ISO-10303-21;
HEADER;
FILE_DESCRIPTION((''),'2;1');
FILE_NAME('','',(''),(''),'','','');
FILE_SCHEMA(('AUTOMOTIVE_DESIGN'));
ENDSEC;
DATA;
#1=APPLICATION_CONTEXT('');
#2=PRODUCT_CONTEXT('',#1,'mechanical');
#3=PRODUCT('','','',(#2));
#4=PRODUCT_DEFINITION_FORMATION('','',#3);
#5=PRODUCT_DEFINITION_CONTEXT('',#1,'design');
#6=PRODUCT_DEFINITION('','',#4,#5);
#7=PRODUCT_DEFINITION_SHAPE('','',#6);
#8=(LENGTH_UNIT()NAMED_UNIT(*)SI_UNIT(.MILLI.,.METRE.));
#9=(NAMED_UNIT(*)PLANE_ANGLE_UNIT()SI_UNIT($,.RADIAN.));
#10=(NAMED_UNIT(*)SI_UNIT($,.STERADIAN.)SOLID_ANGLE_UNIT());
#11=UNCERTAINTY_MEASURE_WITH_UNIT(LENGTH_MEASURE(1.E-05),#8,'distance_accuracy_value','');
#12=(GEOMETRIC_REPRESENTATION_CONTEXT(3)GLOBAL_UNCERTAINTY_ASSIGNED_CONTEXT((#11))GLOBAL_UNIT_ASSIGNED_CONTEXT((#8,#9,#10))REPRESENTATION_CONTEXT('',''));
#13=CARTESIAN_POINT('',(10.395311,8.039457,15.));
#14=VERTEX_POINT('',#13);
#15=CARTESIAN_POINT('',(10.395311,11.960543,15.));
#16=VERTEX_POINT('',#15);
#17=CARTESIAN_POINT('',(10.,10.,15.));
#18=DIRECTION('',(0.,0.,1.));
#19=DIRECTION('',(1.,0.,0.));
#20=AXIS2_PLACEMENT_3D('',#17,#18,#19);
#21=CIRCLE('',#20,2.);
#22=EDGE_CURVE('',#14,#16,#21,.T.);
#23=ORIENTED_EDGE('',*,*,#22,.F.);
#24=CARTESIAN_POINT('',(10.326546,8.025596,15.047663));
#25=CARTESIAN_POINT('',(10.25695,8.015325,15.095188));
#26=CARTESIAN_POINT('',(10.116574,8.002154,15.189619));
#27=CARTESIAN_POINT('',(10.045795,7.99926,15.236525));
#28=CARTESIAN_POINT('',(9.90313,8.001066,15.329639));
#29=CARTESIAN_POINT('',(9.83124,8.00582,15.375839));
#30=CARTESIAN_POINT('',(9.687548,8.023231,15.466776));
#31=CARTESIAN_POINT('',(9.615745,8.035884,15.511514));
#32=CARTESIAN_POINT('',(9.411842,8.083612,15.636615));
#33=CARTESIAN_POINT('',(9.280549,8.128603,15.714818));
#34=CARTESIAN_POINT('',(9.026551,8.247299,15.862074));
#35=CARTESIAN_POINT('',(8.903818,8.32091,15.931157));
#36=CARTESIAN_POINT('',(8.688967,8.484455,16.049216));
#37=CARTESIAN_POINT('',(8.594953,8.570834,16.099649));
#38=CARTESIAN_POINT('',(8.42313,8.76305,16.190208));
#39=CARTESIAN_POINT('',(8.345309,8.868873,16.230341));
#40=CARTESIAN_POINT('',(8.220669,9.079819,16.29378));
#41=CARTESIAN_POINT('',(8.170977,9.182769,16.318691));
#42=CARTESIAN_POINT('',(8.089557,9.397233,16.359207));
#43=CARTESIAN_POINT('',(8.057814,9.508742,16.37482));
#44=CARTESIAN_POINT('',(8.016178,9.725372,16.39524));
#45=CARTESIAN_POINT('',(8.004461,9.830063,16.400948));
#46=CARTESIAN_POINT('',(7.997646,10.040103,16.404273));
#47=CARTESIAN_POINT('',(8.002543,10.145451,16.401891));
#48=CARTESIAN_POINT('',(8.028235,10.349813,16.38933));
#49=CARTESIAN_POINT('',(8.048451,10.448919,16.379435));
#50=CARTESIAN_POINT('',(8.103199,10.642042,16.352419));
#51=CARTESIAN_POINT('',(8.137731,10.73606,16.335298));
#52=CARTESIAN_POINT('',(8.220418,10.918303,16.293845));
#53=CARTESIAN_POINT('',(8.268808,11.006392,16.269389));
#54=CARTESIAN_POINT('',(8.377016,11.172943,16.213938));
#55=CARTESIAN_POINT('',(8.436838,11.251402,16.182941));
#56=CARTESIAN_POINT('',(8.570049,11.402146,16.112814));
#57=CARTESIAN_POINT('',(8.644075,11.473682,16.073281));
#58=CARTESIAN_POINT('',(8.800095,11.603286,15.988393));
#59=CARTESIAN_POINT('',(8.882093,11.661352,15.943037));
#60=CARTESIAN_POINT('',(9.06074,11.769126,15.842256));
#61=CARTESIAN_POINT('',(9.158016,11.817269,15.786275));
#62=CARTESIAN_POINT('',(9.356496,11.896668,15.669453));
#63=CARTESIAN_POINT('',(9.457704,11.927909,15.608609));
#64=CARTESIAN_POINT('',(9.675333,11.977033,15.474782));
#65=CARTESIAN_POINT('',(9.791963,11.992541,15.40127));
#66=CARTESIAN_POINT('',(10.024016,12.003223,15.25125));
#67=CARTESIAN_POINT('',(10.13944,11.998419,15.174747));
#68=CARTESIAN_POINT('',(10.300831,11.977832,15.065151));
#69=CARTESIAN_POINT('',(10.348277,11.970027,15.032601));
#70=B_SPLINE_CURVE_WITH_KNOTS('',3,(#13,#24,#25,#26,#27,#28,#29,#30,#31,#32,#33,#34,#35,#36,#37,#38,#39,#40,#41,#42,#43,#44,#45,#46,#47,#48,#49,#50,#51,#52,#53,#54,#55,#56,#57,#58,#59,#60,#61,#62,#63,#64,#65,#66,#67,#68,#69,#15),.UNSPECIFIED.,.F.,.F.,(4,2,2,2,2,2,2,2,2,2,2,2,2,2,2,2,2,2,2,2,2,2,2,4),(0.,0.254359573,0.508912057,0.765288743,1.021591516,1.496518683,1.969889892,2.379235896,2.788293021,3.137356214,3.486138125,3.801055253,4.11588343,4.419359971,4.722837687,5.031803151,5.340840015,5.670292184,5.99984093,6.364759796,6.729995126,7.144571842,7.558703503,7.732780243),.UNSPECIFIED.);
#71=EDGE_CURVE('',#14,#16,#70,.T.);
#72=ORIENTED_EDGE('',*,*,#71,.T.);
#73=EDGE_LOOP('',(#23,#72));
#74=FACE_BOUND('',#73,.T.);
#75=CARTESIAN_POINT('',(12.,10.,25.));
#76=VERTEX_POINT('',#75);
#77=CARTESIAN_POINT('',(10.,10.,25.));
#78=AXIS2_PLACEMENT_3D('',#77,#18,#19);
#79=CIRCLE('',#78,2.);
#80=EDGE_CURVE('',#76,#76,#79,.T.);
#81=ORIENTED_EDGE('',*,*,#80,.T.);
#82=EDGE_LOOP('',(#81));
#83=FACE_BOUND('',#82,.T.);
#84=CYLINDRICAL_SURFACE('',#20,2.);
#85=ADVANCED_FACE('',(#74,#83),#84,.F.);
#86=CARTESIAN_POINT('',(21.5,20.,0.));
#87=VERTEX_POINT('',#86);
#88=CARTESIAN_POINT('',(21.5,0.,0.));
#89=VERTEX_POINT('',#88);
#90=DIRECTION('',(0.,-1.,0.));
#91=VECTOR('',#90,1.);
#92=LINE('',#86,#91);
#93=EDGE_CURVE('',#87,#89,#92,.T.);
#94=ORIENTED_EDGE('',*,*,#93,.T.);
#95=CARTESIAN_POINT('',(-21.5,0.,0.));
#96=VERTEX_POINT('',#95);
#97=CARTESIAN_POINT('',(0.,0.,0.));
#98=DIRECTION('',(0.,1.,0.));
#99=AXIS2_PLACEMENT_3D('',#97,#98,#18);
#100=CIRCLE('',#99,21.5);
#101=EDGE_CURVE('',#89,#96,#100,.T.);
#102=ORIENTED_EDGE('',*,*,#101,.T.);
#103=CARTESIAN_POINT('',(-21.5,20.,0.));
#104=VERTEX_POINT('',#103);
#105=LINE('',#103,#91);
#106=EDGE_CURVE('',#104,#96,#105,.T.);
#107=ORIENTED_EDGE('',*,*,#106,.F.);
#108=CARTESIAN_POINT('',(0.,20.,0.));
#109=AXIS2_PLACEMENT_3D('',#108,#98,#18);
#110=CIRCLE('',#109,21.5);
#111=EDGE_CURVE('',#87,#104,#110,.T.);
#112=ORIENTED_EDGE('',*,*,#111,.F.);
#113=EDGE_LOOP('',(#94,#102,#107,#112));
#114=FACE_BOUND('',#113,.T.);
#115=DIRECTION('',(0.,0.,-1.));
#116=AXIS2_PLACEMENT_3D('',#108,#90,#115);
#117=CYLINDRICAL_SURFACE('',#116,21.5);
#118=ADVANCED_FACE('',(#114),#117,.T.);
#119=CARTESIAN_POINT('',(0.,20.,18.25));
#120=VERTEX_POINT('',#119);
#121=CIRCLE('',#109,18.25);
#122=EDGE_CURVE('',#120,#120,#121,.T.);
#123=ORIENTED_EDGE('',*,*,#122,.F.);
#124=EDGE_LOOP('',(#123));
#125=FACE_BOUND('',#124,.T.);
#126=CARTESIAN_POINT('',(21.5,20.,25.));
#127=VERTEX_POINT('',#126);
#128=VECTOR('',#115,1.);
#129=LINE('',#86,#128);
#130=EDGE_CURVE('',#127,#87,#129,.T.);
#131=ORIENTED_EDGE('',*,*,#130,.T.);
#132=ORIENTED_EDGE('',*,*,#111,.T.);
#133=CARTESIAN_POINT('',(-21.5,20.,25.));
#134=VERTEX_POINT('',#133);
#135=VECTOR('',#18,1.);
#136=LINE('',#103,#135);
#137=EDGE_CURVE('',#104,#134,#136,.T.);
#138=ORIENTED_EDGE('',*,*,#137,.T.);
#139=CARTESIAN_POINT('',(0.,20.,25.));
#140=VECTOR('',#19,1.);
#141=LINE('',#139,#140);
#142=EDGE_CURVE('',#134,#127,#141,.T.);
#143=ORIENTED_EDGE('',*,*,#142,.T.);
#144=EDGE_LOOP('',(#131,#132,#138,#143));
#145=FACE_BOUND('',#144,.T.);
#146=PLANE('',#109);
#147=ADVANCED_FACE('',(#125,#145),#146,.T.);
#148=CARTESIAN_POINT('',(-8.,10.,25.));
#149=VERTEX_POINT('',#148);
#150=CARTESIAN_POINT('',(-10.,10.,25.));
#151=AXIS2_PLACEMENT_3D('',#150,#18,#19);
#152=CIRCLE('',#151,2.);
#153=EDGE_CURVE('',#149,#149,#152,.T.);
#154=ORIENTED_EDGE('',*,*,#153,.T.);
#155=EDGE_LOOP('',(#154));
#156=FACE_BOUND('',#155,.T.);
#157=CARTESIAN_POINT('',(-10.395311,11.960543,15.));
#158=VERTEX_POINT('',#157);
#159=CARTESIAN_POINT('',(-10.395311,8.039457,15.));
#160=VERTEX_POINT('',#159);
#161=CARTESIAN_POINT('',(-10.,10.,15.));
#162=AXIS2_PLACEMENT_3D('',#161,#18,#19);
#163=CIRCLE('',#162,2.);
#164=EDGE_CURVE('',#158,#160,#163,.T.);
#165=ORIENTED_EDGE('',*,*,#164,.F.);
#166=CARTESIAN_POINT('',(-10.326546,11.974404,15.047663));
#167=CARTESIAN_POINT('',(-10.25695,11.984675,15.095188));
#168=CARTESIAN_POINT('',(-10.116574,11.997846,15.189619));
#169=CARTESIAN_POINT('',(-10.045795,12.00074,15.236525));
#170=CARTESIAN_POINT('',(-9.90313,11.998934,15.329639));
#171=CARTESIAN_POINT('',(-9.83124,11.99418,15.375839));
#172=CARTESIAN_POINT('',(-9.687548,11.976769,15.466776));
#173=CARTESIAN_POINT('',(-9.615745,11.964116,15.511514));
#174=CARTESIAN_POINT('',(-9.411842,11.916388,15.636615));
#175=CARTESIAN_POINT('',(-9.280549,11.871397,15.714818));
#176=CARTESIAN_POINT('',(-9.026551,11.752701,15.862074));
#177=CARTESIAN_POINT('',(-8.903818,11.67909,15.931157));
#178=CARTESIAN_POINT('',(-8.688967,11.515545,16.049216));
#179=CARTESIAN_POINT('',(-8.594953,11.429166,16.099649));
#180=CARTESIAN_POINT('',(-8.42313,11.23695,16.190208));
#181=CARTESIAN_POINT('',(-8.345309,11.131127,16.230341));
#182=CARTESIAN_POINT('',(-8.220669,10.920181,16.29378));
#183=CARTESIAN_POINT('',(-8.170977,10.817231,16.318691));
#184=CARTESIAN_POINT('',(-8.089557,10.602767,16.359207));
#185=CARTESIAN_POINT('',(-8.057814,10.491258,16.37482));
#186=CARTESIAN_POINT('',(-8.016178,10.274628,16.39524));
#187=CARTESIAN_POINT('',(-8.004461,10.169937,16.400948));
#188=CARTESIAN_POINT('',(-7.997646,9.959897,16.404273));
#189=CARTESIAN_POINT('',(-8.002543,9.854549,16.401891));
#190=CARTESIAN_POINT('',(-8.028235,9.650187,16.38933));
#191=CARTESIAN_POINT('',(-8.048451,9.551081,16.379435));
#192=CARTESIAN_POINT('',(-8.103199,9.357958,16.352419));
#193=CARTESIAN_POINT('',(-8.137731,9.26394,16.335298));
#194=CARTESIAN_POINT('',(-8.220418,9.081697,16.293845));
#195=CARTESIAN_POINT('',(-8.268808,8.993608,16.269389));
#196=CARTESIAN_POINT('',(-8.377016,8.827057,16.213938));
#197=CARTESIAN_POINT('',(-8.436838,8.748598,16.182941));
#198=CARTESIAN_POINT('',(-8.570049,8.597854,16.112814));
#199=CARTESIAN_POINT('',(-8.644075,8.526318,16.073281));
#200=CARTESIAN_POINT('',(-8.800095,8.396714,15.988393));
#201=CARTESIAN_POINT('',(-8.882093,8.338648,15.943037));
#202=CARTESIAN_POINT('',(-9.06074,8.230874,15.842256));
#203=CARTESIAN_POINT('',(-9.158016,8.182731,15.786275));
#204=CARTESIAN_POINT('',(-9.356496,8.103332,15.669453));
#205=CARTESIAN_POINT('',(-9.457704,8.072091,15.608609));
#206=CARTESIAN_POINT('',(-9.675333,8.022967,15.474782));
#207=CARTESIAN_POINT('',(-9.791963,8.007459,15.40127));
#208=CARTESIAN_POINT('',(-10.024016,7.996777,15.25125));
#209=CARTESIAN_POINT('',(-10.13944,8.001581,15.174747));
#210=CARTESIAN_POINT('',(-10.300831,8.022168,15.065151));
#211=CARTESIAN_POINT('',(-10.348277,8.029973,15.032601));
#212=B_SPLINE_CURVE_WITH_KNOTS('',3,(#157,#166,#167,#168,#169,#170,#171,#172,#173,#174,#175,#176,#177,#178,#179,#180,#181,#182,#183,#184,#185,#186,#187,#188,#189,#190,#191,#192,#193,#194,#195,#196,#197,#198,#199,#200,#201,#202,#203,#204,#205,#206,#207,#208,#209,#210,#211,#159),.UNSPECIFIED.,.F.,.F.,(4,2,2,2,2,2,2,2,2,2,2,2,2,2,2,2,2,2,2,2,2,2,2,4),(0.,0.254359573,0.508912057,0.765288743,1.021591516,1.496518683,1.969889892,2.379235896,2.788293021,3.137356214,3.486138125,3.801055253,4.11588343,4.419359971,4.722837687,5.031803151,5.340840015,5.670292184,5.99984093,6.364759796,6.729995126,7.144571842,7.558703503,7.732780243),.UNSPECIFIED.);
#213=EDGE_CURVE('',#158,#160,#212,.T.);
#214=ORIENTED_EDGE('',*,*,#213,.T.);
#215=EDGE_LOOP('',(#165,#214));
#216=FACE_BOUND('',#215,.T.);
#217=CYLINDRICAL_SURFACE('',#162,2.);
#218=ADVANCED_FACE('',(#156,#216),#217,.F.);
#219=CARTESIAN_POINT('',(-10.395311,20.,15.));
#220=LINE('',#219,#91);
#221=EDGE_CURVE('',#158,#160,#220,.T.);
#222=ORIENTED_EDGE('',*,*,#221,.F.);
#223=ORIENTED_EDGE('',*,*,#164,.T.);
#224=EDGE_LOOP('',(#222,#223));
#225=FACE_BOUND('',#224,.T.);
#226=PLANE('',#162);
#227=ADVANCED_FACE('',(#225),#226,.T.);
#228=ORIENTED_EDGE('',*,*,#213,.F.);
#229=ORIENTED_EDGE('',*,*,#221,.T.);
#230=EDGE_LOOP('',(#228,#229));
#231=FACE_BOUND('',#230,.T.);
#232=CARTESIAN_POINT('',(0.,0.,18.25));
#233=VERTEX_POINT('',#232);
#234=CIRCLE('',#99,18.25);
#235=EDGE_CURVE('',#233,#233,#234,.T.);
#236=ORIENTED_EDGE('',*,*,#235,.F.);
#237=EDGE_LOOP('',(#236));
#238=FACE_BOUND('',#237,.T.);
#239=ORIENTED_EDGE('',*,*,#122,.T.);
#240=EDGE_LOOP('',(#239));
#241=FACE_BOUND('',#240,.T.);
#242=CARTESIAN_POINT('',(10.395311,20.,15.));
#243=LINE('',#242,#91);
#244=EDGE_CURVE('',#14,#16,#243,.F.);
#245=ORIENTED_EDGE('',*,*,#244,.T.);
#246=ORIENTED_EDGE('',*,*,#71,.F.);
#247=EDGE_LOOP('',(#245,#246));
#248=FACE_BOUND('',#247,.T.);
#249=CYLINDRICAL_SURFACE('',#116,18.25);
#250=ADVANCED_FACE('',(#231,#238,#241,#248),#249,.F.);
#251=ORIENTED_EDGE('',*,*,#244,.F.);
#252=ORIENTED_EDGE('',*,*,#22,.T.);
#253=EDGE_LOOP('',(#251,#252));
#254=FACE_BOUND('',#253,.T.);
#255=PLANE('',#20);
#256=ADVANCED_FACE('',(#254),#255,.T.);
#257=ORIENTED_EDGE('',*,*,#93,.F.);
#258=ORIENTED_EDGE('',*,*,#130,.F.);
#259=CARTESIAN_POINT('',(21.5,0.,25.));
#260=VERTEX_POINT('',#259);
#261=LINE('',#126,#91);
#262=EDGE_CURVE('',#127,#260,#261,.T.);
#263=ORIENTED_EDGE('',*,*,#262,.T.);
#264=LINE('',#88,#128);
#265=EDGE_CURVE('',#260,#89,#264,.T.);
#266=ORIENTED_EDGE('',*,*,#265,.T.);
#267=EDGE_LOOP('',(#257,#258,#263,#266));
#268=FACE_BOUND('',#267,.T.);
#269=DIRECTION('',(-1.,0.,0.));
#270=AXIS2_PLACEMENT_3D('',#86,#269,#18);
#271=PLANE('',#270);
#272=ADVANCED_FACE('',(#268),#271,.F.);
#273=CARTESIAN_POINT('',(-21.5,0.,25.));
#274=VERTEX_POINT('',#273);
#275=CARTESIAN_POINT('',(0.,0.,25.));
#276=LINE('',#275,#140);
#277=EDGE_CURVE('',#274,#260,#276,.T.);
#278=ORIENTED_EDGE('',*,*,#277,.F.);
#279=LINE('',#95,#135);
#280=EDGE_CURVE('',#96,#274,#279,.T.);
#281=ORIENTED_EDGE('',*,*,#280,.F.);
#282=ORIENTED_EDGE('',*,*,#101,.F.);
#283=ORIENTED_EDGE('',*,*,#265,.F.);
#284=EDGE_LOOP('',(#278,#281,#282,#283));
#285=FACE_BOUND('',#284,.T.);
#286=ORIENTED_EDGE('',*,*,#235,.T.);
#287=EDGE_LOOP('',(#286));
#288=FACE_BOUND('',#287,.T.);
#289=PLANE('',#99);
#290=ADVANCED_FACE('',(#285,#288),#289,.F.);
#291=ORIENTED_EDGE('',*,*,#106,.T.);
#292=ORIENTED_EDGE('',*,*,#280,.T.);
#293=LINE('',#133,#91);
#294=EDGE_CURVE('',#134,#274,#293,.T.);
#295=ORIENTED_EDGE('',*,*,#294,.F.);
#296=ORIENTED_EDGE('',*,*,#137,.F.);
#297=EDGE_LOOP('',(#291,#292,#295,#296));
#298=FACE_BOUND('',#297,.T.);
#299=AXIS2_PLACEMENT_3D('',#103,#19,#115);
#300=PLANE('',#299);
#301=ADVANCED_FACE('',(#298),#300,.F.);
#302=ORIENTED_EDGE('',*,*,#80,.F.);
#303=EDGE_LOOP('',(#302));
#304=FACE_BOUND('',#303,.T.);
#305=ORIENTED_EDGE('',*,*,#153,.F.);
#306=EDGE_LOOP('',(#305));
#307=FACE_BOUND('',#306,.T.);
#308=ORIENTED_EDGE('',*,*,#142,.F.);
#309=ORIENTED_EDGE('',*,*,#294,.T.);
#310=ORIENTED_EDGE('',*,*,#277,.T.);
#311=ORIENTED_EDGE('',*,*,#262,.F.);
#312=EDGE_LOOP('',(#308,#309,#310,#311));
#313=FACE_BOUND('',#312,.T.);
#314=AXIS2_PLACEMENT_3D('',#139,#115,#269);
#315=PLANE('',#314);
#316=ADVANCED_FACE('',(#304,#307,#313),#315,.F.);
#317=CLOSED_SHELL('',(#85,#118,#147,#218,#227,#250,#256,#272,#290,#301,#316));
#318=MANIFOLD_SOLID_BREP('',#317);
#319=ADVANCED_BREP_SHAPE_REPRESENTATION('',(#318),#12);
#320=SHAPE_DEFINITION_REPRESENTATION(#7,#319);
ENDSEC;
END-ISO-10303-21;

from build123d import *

# Parameters (mm, degrees)
SKETCH1_R           = 21.5
SKETCH1_R_2         = 18.25
BOSS_EXTRUDE1_DEPTH = 20
SKETCH2_R           = 2
CUT_EXTRUDE1_DEPTH  = 10


with BuildPart() as part:
    # Sketch1 → Boss-Extrude1 (new body)
    # profile 1 of 2: a face of its own
    with BuildSketch(Plane(origin=(0, 0, 0), x_dir=(1, 0, 0), z_dir=(0, 1, 0))):
        with BuildLine():
            ThreePointArc((21.5, 0), (0, -21.5), (-21.5, 0))
            Line((-21.5, 0), (-21.5, -25))
            Line((-21.5, -25), (21.5, -25))
            Line((21.5, -25), (21.5, 0))
        make_face()
    # profile 2 of 2: a face of its own
    with BuildSketch(Plane(origin=(0, 0, 0), x_dir=(1, 0, 0), z_dir=(0, 1, 0))):
        Circle(SKETCH1_R)
        with Locations(Location((0, 0, 0), (0, 0, 270))):
            Circle(SKETCH1_R_2, mode=Mode.SUBTRACT)
    extrude(amount=BOSS_EXTRUDE1_DEPTH)

    # Sketch2 → Cut-Extrude1 (cut)
    with BuildSketch(Plane.XY.offset(25)):
        with Locations((-10, 10)):
            Circle(SKETCH2_R)
        with Locations((10, 10)):
            Circle(SKETCH2_R)
    extrude(amount=-CUT_EXTRUDE1_DEPTH, mode=Mode.SUBTRACT)


solid = part.part
